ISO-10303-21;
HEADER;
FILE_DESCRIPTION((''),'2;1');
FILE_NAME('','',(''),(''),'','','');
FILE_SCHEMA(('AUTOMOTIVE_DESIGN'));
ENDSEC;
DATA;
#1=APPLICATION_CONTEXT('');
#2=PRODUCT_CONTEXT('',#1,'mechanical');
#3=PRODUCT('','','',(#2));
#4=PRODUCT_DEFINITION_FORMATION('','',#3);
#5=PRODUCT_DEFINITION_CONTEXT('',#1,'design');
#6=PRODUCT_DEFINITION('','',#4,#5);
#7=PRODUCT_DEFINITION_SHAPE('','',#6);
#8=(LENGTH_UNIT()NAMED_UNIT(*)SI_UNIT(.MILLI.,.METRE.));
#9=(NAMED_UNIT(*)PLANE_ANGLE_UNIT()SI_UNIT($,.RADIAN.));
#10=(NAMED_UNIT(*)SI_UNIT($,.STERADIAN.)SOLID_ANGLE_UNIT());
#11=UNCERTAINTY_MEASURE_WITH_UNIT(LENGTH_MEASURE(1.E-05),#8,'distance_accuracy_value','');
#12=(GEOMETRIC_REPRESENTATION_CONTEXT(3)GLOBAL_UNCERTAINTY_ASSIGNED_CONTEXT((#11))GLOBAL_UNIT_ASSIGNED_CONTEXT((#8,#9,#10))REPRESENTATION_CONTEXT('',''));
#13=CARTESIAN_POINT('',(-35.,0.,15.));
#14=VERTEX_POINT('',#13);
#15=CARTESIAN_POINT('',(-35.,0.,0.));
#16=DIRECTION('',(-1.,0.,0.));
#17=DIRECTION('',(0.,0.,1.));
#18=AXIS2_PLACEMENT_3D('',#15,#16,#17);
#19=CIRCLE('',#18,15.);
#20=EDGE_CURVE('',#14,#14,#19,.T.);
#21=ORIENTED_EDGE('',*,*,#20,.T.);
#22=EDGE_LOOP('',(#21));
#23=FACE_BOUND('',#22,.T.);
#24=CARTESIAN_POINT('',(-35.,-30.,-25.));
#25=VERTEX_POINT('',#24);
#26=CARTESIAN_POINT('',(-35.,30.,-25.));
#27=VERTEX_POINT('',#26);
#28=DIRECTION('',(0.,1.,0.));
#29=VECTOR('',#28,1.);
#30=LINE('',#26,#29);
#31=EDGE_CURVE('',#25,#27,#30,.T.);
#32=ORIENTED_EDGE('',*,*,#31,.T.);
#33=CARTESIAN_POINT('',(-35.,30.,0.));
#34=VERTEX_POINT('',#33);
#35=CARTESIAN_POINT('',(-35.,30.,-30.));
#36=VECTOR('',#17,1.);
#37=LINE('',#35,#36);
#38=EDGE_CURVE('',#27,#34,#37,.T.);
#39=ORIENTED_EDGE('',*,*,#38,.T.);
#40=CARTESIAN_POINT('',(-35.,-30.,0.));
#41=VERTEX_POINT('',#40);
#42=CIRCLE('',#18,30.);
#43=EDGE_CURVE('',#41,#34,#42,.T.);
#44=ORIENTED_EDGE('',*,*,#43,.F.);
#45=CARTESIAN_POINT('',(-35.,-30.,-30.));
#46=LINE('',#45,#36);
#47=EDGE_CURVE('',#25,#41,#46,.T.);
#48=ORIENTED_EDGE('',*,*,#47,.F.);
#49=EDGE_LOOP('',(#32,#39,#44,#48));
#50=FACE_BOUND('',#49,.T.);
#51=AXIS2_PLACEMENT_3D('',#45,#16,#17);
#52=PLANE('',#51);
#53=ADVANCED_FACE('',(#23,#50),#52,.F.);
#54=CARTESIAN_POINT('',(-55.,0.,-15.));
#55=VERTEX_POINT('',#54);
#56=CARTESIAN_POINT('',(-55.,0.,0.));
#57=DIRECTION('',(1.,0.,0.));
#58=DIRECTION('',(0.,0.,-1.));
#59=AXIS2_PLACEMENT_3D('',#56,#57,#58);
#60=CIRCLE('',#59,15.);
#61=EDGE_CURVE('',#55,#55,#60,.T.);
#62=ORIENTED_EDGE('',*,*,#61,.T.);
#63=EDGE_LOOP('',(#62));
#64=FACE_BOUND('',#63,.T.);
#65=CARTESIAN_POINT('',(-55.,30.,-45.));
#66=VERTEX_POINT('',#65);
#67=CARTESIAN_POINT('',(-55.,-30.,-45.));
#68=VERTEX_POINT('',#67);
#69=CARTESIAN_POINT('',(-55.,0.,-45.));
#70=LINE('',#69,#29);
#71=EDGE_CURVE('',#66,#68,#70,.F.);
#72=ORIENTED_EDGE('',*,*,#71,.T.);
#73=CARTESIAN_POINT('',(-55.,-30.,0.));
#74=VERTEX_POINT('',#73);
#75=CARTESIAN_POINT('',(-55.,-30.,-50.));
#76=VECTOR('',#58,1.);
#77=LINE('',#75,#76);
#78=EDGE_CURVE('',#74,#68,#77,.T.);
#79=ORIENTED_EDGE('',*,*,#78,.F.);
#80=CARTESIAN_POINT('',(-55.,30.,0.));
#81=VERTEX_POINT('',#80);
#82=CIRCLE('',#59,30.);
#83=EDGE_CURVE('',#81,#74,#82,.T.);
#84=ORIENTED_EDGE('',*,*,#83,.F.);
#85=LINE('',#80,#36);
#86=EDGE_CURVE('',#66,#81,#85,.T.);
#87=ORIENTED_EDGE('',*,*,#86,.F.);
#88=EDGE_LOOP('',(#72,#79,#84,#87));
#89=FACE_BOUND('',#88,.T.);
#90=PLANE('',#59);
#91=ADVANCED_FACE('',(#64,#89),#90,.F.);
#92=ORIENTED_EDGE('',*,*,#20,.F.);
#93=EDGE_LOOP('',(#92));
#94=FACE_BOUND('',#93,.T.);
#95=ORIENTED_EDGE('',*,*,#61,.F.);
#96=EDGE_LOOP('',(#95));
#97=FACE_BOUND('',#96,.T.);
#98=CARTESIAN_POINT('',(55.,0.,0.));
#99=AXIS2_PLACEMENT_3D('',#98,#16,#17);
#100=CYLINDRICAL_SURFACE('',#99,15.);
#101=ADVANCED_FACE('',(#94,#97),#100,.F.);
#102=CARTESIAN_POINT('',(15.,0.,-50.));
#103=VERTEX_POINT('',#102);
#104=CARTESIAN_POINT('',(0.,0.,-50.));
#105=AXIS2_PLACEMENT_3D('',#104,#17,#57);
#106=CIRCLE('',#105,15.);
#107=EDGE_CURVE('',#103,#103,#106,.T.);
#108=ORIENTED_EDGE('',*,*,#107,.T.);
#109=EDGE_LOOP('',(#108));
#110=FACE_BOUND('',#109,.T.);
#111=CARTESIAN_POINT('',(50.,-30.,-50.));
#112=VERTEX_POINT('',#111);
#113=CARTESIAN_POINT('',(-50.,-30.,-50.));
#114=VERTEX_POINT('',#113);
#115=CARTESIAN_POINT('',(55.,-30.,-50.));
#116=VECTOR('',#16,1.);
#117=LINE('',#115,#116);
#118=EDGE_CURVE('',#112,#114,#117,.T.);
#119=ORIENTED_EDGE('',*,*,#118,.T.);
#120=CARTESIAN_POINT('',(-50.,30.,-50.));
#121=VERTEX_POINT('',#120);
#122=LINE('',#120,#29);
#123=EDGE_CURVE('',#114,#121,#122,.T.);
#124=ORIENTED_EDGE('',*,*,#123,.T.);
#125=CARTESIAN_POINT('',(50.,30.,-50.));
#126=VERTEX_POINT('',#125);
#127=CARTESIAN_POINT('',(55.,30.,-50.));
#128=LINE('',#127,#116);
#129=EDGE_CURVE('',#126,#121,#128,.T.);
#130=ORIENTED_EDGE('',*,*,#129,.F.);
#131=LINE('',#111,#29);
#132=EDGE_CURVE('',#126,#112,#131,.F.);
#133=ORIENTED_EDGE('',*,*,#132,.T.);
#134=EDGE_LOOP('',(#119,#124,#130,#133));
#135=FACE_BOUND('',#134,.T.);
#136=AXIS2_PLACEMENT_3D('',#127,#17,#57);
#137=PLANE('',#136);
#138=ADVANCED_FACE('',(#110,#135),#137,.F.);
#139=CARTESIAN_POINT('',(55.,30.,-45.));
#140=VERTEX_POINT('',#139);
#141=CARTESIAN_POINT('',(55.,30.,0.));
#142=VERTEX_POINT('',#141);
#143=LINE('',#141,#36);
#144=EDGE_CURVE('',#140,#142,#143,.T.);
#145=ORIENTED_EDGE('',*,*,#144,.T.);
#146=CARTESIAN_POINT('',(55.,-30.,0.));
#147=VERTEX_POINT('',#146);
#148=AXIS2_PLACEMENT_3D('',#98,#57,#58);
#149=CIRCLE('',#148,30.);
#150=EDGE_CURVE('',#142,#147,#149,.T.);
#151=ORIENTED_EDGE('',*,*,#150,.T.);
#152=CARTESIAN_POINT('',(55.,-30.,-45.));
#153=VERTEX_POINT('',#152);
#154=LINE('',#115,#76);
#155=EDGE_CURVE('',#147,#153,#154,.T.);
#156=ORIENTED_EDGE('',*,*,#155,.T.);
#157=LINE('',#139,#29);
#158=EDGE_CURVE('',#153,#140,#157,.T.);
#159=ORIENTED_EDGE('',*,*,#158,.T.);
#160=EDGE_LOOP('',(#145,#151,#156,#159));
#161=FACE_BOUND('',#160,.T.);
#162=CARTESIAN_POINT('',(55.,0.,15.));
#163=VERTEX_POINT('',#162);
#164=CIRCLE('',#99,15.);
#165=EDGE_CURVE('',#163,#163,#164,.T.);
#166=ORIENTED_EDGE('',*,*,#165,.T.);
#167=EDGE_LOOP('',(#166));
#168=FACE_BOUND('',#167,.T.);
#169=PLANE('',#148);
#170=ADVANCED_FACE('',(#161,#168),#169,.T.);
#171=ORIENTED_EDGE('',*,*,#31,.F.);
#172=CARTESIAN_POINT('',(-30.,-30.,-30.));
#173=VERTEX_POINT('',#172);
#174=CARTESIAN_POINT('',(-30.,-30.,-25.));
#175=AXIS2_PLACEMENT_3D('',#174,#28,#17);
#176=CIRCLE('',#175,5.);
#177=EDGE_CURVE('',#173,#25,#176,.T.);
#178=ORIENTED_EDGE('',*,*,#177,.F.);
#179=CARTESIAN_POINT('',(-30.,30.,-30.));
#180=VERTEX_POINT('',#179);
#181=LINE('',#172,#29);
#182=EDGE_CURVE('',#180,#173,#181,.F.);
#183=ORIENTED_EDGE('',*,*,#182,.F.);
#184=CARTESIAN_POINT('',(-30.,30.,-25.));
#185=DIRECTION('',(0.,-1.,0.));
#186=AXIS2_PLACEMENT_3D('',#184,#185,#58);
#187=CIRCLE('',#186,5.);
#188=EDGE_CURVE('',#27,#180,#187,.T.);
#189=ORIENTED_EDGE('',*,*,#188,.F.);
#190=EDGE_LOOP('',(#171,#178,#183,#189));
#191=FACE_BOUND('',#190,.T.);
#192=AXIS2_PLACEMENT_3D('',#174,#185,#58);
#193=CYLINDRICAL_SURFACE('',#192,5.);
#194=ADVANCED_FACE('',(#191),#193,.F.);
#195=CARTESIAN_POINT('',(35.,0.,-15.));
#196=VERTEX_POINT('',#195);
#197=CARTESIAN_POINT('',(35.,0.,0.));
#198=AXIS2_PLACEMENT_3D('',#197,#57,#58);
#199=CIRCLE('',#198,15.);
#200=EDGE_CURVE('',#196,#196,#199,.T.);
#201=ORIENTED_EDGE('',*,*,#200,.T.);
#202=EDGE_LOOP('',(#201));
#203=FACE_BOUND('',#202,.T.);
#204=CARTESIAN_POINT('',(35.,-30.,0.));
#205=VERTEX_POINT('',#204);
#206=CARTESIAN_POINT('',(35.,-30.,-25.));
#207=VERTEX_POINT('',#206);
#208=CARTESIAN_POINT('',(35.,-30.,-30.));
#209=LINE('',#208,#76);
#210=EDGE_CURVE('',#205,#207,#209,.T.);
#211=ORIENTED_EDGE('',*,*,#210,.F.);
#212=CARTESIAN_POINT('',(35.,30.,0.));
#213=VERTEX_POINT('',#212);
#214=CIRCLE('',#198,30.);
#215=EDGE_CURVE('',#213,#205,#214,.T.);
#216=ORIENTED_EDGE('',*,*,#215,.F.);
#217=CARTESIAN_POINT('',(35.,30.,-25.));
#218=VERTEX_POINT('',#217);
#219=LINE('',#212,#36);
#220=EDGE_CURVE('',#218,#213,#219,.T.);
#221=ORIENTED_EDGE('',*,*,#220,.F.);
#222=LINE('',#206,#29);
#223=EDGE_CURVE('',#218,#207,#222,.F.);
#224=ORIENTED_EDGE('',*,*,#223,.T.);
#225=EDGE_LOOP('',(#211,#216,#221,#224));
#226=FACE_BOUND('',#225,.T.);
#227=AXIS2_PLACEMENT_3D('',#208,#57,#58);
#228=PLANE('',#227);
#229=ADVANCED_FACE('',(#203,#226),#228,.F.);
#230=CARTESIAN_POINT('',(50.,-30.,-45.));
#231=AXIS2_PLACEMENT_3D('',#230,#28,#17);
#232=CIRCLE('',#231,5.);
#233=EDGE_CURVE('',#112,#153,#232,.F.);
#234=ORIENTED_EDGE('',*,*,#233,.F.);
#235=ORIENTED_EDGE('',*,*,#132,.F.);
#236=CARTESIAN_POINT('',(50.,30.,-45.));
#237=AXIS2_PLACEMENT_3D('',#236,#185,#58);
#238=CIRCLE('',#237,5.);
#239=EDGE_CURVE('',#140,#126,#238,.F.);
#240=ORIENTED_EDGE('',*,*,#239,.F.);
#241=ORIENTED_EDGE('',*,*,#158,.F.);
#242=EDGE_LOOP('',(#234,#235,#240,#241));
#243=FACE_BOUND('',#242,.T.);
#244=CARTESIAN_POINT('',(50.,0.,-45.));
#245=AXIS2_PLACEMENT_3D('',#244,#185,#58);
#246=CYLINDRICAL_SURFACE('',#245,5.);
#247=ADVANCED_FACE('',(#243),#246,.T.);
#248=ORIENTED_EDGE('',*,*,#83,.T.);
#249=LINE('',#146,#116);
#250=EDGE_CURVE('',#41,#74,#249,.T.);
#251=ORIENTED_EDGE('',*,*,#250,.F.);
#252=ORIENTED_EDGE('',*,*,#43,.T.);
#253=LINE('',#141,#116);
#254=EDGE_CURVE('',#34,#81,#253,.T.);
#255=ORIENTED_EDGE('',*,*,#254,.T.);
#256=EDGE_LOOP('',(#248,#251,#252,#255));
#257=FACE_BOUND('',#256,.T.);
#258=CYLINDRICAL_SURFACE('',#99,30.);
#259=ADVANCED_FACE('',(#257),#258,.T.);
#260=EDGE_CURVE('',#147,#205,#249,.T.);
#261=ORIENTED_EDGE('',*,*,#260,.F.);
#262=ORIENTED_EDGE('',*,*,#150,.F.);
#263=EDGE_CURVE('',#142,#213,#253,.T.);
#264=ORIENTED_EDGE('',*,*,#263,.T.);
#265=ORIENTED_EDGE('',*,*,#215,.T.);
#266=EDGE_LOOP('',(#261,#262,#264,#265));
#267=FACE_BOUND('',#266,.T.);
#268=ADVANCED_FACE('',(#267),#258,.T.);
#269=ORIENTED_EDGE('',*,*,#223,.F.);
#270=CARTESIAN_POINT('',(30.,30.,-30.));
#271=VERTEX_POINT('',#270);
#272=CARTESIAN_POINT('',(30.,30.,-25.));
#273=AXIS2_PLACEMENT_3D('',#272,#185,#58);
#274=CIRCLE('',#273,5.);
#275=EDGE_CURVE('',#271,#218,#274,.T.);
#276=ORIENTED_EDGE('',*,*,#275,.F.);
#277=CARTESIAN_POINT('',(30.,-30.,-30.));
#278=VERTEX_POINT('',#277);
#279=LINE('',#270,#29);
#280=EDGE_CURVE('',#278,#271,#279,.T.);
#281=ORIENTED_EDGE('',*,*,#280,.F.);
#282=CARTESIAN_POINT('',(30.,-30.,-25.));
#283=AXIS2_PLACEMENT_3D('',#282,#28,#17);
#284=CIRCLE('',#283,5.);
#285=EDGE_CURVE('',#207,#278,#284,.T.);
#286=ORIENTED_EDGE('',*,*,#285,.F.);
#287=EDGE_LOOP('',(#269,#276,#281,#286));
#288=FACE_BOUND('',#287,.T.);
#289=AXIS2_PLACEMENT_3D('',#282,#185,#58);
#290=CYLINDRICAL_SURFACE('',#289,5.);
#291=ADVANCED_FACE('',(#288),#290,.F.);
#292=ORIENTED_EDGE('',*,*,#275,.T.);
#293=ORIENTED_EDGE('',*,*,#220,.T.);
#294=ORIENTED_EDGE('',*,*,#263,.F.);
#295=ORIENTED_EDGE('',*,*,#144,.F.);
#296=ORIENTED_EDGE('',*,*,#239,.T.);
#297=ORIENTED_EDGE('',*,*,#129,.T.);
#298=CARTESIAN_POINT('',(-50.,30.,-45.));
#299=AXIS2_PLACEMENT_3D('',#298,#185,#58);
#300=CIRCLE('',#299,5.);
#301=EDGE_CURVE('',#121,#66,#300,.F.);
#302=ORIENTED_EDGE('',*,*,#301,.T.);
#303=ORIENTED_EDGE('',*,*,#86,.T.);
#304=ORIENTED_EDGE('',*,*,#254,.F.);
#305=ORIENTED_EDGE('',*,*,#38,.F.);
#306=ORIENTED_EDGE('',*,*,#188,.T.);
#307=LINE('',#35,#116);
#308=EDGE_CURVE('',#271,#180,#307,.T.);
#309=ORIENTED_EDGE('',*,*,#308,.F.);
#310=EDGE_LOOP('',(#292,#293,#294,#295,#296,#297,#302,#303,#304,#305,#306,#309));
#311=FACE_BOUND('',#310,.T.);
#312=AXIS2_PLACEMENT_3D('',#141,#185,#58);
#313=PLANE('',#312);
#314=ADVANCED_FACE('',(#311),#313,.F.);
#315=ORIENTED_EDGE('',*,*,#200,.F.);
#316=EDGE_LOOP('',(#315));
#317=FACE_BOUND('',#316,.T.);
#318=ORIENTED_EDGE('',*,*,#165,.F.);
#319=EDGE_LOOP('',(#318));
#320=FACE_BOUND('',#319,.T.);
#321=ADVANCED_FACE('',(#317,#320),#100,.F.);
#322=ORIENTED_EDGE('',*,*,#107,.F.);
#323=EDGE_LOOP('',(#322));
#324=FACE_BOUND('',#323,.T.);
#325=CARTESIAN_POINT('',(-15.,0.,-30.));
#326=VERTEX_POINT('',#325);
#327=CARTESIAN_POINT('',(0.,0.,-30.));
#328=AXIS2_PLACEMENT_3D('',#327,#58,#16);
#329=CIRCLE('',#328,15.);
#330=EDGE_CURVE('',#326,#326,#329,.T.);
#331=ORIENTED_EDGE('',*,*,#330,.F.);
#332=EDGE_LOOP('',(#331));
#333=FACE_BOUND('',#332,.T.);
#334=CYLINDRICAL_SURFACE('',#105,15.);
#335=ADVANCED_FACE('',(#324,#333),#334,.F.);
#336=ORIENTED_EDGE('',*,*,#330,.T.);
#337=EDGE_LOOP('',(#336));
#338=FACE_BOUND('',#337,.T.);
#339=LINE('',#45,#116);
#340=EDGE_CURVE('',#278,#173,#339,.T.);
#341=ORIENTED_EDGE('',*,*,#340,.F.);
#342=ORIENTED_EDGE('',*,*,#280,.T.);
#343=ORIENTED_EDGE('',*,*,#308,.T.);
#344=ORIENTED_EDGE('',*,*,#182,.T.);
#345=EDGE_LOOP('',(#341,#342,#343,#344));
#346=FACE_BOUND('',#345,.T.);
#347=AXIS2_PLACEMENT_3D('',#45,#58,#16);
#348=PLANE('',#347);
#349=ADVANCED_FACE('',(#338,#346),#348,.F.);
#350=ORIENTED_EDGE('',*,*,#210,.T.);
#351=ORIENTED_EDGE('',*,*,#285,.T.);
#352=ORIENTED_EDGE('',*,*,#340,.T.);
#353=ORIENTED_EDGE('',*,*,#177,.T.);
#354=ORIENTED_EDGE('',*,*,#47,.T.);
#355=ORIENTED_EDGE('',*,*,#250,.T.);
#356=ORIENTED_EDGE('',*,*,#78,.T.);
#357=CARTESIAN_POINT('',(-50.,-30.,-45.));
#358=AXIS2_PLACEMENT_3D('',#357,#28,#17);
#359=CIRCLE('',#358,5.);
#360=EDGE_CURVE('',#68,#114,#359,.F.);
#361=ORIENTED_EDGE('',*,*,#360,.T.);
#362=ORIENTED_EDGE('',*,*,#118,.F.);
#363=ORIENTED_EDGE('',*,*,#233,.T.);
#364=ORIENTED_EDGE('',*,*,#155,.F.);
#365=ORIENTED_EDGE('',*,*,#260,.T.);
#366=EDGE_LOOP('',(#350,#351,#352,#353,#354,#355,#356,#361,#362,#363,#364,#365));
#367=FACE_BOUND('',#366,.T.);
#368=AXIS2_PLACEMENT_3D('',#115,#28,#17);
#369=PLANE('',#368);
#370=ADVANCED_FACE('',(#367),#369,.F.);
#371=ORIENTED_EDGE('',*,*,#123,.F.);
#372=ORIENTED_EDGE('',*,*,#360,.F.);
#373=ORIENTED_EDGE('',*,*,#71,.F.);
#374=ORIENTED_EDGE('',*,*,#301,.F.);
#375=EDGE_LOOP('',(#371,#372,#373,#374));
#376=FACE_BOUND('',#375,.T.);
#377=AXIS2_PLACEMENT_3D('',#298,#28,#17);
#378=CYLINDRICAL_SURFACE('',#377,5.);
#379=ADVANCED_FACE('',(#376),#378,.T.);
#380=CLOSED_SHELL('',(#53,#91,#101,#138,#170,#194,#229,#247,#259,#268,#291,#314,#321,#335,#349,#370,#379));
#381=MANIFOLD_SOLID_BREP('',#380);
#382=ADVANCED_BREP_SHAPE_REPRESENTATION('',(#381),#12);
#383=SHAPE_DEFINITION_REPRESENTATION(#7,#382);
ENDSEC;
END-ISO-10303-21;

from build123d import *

# Parameters (mm, degrees)
BOSS_EXTRUDE1_DEPTH     = 55
CUT_EXTRUDE1_DEPTH      = 81.156097709
CUT_EXTRUDE1_DEPTH_BACK = 81.156097709
SKETCH2_W               = 70
SKETCH2_H               = 60
CUT_EXTRUDE4_DEPTH      = 125.49899598
CUT_EXTRUDE4_DEPTH_BACK = 125.49899598
SKETCH5_R               = 15
FILLET1_R               = 5
CUT_EXTRUDE5_DEPTH      = 87.746757864
CUT_EXTRUDE5_DEPTH_BACK = 87.746757864
SKETCH6_R               = 15


with BuildPart() as part:
    # Sketch1 → Boss-Extrude1 (new, symmetric)
    with BuildSketch(Plane(origin=(0, 0, 0), x_dir=(0, 0, -1), z_dir=(1, 0, 0))):
        with BuildLine():
            Line((0, 30), (50, 30))
            Line((50, 30), (50, -30))
            Line((50, -30), (0, -30))
            ThreePointArc((0, -30), (-30, 0), (0, 30))
        make_face()
    extrude(amount=BOSS_EXTRUDE1_DEPTH, both=True)

    # Sketch2 → Cut-Extrude1 (cut, two sides: drawn at the far end of the back side and taken through both)
    with BuildSketch(Plane(origin=(0, 0, 0), x_dir=(1, 0, 0), z_dir=(0, 1, 0)).offset(-CUT_EXTRUDE1_DEPTH_BACK)):
        Rectangle(SKETCH2_W, SKETCH2_H)
    extrude(amount=CUT_EXTRUDE1_DEPTH + CUT_EXTRUDE1_DEPTH_BACK, mode=Mode.SUBTRACT)

    # Sketch5 → Cut-Extrude4 (cut, two sides: drawn at the far end of the back side and taken through both)
    with BuildSketch(Plane.ZY.offset(55).offset(-CUT_EXTRUDE4_DEPTH_BACK)):
        Circle(SKETCH5_R)
    extrude(amount=CUT_EXTRUDE4_DEPTH + CUT_EXTRUDE4_DEPTH_BACK, mode=Mode.SUBTRACT)

    # Fillet1
    fillet1_edges = [part.edges().sort_by_distance(p)[0] for p in [
        (55, 0, -50),
        (35, 0, -30),
        (-35, 0, -30),
        (-55, 0, -50),
    ]]
    fillet(fillet1_edges, radius=FILLET1_R)

    # Sketch6 → Cut-Extrude5 (cut, two sides: drawn at the far end of the back side and taken through both)
    with BuildSketch(Plane.XY.offset(-30).offset(-CUT_EXTRUDE5_DEPTH_BACK)):
        Circle(SKETCH6_R)
    extrude(amount=CUT_EXTRUDE5_DEPTH + CUT_EXTRUDE5_DEPTH_BACK, mode=Mode.SUBTRACT)


solid = part.part
